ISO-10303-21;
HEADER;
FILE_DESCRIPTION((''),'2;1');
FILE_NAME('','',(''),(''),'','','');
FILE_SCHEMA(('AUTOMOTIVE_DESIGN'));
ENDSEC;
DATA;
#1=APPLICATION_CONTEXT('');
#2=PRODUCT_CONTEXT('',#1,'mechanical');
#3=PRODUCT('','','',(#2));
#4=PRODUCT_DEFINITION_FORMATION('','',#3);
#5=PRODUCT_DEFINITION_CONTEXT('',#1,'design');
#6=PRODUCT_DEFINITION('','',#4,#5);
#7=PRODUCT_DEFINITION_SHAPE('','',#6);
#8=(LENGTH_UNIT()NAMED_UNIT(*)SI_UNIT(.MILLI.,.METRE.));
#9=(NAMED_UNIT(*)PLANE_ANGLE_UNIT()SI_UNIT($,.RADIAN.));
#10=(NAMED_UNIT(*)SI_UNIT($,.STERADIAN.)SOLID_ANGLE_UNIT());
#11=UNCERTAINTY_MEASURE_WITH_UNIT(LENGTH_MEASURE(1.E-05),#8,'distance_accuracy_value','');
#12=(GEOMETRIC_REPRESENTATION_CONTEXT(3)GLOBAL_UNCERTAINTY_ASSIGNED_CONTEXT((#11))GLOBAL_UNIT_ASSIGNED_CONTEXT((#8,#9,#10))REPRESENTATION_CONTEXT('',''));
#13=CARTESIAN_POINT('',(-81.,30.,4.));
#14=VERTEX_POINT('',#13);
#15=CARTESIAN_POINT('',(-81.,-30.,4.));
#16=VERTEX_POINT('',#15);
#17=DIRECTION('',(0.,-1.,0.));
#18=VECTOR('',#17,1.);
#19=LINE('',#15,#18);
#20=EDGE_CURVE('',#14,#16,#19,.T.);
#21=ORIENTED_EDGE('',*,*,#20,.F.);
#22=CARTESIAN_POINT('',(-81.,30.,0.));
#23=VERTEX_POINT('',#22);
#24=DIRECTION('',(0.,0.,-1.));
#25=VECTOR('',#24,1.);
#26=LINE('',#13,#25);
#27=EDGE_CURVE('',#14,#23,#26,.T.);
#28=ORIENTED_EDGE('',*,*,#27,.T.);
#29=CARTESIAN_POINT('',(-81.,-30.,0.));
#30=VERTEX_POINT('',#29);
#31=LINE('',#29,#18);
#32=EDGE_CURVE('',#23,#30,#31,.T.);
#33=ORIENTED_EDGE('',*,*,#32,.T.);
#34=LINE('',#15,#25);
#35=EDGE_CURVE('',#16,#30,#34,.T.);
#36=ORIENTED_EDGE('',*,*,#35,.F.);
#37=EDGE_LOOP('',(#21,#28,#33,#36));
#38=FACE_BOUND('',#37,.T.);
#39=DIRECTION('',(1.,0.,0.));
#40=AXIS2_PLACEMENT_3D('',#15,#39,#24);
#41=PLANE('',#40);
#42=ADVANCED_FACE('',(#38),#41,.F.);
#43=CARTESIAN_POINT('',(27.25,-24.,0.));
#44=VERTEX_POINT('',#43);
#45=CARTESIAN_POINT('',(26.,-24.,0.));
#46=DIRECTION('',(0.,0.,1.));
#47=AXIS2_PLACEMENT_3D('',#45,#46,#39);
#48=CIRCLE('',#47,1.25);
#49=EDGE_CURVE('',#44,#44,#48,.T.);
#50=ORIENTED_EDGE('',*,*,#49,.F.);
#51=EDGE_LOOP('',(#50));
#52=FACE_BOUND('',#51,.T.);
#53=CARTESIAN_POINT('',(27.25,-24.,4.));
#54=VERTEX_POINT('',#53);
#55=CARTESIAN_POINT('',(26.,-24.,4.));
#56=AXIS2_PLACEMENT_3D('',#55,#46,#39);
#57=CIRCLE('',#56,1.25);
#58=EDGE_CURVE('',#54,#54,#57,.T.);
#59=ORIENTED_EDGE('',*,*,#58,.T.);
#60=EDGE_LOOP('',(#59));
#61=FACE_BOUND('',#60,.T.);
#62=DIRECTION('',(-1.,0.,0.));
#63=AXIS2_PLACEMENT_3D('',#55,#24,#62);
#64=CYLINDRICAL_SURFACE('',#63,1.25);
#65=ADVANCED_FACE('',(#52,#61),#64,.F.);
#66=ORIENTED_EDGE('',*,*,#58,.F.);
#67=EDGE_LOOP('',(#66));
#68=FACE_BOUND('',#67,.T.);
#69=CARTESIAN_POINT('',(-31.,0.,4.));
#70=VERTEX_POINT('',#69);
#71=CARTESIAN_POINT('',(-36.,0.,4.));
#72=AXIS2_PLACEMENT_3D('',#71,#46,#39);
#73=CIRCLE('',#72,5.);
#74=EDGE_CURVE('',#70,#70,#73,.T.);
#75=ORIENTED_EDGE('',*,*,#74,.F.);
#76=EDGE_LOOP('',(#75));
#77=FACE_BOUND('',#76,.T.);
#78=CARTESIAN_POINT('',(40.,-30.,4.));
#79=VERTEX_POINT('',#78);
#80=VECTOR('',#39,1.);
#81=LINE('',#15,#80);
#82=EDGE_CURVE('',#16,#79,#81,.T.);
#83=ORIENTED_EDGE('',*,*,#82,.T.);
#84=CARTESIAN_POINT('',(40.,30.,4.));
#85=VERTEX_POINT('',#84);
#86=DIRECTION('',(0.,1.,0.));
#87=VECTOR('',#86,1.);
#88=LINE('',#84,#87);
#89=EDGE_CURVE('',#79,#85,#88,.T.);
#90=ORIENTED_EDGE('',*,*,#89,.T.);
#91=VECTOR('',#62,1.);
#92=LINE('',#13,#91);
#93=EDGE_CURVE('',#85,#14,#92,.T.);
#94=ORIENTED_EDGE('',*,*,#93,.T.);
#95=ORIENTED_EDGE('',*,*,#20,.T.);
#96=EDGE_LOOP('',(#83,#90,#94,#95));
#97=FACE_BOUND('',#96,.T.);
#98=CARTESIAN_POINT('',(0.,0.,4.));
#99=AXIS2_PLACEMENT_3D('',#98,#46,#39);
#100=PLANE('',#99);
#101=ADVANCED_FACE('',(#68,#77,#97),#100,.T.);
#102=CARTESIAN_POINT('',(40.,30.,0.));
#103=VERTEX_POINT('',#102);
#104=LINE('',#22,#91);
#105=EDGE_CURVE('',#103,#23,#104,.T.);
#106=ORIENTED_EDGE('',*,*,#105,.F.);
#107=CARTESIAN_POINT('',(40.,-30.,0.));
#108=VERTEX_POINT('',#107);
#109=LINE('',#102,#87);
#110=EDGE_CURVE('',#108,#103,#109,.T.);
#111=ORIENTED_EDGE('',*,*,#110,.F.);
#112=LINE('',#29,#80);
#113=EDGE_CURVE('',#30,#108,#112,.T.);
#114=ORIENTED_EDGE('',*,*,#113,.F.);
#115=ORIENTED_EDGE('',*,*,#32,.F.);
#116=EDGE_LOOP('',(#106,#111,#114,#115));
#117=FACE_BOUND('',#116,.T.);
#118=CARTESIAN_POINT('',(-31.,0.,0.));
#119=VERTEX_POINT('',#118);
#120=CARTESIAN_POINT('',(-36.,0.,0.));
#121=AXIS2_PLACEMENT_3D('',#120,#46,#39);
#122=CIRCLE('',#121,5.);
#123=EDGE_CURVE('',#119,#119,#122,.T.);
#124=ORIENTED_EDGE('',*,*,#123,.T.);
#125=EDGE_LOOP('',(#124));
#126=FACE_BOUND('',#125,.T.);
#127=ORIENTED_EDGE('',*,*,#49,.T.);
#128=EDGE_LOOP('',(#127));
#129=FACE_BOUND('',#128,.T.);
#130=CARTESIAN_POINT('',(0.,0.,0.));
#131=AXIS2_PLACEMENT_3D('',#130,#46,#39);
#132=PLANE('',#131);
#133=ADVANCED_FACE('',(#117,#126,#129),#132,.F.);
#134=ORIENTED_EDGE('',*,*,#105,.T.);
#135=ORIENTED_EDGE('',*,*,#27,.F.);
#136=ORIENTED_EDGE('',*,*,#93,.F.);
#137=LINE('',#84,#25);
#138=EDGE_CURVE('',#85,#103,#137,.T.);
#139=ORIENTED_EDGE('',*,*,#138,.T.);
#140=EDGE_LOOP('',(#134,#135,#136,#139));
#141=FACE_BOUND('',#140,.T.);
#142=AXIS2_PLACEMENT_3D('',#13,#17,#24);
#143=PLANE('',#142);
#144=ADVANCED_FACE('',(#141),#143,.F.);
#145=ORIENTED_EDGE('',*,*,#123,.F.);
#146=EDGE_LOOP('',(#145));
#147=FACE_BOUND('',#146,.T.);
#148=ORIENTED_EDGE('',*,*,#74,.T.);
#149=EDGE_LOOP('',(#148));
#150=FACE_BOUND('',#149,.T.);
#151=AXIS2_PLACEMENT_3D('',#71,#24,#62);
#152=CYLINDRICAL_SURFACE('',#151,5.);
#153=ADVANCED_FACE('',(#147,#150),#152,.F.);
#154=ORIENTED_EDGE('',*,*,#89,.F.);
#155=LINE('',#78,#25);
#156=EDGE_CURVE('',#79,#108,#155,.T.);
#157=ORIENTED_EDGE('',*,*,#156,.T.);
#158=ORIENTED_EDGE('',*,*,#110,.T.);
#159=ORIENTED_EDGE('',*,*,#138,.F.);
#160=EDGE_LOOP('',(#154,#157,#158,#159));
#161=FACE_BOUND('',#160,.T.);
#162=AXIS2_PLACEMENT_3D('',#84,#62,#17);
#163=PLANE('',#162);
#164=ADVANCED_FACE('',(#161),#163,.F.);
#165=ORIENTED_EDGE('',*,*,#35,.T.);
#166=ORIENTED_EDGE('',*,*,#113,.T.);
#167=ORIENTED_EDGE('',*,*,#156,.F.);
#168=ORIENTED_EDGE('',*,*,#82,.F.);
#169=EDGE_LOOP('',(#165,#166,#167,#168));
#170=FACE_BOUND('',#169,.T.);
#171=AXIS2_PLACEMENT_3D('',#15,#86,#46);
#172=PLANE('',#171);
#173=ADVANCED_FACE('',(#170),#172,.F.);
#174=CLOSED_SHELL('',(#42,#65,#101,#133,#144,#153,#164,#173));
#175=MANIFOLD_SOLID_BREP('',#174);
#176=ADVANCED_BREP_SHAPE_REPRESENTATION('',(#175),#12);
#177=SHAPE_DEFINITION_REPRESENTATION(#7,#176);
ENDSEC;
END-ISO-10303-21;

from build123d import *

# Parameters (mm, degrees)
SKETCH1_W           = 121
SKETCH1_H           = 60
SKETCH1_R           = 5
SKETCH1_R_2         = 1.25
BOSS_EXTRUDE1_DEPTH = 4


with BuildPart() as part:
    # Sketch1 → Boss-Extrude1 (new body)
    with BuildSketch(Plane.XY):
        with Locations((-20.5, 0)):
            Rectangle(SKETCH1_W, SKETCH1_H)
        with Locations((-36, 0)):
            Circle(SKETCH1_R, mode=Mode.SUBTRACT)
        with Locations((26, -24)):
            Circle(SKETCH1_R_2, mode=Mode.SUBTRACT)
    extrude(amount=BOSS_EXTRUDE1_DEPTH)


solid = part.part
